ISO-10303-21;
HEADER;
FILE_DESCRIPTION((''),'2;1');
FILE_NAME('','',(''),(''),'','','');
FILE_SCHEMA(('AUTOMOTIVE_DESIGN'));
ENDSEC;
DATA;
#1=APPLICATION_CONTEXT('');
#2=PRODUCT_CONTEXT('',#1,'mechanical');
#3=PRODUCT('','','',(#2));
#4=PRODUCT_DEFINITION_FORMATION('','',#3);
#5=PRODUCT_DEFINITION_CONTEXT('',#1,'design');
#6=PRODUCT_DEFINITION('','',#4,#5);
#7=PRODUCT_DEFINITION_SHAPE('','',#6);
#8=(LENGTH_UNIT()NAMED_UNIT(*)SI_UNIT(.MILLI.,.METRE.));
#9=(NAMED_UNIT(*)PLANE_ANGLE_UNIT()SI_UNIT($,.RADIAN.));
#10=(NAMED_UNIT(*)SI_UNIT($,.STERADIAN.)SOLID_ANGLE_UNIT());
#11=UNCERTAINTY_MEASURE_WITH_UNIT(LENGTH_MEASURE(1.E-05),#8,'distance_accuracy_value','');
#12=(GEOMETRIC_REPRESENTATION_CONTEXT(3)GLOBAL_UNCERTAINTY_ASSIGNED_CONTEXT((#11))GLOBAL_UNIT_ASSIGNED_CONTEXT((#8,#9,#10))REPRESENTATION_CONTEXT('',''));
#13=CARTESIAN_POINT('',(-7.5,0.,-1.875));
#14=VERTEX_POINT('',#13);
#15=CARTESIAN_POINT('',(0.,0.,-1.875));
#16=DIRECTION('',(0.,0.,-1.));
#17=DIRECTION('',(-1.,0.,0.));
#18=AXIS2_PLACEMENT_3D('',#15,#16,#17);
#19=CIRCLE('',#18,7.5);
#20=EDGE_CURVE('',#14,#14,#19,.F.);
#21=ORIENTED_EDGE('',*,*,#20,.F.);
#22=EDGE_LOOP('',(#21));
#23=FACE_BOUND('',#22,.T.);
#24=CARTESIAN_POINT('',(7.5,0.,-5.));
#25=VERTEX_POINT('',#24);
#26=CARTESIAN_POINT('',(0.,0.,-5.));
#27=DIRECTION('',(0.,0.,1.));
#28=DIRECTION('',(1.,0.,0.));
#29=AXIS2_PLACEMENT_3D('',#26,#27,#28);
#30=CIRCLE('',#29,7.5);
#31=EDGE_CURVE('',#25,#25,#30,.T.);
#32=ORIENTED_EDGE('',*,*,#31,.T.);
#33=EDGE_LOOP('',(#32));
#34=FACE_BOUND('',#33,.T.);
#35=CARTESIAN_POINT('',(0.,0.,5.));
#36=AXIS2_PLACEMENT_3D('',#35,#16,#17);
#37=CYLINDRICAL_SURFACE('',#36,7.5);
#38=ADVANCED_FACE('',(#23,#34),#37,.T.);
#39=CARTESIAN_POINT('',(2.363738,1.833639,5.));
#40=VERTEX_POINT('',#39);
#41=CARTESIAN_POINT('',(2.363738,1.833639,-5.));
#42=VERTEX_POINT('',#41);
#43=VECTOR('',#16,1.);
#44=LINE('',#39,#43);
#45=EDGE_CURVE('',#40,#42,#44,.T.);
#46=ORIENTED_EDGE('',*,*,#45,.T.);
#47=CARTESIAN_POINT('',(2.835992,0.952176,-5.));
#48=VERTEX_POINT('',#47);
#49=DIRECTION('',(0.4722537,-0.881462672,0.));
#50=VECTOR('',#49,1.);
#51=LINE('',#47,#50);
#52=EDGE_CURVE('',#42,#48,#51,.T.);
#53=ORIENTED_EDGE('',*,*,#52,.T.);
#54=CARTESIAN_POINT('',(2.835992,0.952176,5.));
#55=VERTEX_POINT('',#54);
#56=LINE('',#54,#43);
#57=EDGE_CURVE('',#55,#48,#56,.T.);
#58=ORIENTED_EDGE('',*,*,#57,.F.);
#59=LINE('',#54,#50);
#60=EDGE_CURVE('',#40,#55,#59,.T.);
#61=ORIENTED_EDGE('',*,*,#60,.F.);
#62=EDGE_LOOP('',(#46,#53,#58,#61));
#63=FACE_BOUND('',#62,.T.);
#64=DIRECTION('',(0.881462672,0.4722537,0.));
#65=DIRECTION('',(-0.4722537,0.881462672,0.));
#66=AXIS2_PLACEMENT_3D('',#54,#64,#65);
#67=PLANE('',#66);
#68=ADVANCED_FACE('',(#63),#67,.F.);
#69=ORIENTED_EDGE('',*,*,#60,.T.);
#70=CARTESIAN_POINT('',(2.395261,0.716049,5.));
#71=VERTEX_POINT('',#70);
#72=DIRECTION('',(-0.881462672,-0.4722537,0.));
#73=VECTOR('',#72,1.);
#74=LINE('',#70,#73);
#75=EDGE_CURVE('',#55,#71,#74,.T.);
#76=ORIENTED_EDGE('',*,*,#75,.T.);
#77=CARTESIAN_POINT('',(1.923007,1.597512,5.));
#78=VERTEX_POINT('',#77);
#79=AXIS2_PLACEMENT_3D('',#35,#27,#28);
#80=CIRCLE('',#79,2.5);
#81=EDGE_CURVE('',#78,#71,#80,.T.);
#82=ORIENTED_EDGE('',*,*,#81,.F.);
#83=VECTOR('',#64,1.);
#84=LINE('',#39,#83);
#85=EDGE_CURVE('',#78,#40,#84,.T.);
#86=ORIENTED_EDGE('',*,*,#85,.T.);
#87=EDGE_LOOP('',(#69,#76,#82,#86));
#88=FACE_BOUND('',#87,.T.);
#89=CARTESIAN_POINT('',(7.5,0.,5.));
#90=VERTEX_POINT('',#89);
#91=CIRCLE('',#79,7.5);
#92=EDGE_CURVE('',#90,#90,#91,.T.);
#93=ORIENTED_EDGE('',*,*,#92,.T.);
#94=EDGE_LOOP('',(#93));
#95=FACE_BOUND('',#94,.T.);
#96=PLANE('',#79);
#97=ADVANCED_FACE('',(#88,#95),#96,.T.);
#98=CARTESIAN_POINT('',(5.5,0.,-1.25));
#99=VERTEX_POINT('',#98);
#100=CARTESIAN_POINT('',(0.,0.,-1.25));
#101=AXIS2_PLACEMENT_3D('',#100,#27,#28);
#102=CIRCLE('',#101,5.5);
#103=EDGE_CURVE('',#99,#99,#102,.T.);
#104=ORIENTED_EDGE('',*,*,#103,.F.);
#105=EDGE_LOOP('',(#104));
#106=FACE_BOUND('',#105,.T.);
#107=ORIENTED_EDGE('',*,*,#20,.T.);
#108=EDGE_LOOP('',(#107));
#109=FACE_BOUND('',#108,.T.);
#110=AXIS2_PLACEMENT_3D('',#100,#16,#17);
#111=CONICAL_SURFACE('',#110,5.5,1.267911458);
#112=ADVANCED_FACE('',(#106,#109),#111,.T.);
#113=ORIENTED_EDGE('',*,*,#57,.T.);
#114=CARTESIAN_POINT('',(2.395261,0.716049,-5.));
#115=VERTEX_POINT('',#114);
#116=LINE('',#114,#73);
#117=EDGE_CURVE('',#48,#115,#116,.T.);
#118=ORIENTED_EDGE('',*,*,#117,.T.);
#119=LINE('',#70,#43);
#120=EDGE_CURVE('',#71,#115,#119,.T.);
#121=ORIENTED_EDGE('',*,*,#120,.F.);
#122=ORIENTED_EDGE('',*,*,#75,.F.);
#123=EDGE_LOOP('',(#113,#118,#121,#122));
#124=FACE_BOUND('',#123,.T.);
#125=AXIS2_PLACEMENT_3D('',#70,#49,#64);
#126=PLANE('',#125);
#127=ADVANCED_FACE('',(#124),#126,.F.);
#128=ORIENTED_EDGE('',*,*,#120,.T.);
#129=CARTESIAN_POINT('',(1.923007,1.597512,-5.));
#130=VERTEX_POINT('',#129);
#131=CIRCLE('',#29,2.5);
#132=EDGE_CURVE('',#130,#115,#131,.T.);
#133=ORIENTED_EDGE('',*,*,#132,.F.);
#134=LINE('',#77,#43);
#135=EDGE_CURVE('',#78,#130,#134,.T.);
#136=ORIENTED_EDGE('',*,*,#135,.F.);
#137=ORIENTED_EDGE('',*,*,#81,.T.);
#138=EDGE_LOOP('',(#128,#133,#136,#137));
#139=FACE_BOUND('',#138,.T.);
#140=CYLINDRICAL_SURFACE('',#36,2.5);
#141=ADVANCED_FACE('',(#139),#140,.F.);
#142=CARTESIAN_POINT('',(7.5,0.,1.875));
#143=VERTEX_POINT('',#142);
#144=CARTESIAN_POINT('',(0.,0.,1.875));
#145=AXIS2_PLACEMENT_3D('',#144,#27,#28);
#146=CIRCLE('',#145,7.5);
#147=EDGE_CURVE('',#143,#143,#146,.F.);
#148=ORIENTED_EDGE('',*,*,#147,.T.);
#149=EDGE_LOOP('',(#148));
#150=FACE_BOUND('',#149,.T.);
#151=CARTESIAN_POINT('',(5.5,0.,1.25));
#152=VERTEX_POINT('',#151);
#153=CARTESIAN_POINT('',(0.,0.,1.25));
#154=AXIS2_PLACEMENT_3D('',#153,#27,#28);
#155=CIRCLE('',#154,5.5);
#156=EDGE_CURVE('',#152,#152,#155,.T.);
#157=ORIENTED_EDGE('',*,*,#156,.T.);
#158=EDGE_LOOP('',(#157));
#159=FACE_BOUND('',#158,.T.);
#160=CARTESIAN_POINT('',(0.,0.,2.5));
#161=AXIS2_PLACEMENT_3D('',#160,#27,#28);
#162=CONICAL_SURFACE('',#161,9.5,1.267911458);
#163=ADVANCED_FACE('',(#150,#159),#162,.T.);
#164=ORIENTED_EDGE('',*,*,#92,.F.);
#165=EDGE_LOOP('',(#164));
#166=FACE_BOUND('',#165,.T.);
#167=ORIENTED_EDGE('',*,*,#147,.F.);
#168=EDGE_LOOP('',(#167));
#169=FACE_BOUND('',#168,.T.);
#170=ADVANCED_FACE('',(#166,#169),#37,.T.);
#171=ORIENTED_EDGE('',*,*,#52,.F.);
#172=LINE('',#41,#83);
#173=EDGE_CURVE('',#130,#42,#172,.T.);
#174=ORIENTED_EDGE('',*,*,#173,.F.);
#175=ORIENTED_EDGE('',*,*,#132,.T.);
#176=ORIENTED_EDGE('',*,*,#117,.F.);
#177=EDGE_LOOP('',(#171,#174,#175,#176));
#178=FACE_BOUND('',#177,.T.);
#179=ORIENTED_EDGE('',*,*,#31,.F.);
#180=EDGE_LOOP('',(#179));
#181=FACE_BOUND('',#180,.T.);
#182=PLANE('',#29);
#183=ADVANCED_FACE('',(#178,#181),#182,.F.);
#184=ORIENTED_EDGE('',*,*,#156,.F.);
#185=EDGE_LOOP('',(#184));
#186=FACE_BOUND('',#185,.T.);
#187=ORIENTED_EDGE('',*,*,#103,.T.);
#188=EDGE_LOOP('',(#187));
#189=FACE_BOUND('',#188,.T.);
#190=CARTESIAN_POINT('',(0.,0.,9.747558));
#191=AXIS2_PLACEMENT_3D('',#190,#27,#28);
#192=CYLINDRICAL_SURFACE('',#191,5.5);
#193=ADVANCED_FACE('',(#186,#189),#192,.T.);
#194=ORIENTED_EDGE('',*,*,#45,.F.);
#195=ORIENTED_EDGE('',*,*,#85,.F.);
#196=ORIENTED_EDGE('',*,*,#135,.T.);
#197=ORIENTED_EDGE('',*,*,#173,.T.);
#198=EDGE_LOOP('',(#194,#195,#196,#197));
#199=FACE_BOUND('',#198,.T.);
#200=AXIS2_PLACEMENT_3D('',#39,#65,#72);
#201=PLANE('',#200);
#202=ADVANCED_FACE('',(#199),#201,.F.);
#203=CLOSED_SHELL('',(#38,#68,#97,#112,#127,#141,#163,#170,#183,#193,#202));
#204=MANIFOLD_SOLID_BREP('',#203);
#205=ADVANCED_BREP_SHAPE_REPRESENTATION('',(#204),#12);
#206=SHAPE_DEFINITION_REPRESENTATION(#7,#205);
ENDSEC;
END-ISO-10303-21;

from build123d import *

# Parameters (mm, degrees)
SKETCH1_R           = 7.5
SKETCH1_R_2         = 2.5
BOSS_EXTRUDE1_DEPTH = 5
CUT_EXTRUDE1_DEPTH  = 10


with BuildPart() as part:
    # Sketch1 → Boss-Extrude1 (new body, symmetric)
    with BuildSketch(Plane.XY):
        Circle(SKETCH1_R)
        Circle(SKETCH1_R_2, mode=Mode.SUBTRACT)
    extrude(amount=BOSS_EXTRUDE1_DEPTH, both=True)

    # Sketch3 → Cut-Revolve1 (revolve, cut)
    with BuildSketch(Plane(origin=(0, 0, 0), x_dir=(0, 0, -1), z_dir=(1, 0, 0))):
        Polygon((-2.5, 9.5), (-1.25, 5.5), (1.25, 5.5), (2.5, 9.5), align=None)
    revolve(axis=Axis((0, 0, 9.747557678), (0, 0, -1)), mode=Mode.SUBTRACT)

    # Sketch4 → Cut-Extrude1 (cut)
    with BuildSketch(Plane(origin=(0, 0, -5), x_dir=(-1, 0, 0), z_dir=(0, 0, -1))):
        with BuildLine():
            Line((-2.395260625, 0.716049259), (-2.835991961, 0.952176109))
            Line((-2.835991961, 0.952176109), (-2.36373826, 1.833638781))
            Line((-2.36373826, 1.833638781), (-1.923006924, 1.597511931))
            ThreePointArc((-1.923006924, 1.597511931), (-2.203656681, 1.180634251), (-2.395260625, 0.716049259))
        make_face()
    extrude(amount=-CUT_EXTRUDE1_DEPTH, mode=Mode.SUBTRACT)


solid = part.part
